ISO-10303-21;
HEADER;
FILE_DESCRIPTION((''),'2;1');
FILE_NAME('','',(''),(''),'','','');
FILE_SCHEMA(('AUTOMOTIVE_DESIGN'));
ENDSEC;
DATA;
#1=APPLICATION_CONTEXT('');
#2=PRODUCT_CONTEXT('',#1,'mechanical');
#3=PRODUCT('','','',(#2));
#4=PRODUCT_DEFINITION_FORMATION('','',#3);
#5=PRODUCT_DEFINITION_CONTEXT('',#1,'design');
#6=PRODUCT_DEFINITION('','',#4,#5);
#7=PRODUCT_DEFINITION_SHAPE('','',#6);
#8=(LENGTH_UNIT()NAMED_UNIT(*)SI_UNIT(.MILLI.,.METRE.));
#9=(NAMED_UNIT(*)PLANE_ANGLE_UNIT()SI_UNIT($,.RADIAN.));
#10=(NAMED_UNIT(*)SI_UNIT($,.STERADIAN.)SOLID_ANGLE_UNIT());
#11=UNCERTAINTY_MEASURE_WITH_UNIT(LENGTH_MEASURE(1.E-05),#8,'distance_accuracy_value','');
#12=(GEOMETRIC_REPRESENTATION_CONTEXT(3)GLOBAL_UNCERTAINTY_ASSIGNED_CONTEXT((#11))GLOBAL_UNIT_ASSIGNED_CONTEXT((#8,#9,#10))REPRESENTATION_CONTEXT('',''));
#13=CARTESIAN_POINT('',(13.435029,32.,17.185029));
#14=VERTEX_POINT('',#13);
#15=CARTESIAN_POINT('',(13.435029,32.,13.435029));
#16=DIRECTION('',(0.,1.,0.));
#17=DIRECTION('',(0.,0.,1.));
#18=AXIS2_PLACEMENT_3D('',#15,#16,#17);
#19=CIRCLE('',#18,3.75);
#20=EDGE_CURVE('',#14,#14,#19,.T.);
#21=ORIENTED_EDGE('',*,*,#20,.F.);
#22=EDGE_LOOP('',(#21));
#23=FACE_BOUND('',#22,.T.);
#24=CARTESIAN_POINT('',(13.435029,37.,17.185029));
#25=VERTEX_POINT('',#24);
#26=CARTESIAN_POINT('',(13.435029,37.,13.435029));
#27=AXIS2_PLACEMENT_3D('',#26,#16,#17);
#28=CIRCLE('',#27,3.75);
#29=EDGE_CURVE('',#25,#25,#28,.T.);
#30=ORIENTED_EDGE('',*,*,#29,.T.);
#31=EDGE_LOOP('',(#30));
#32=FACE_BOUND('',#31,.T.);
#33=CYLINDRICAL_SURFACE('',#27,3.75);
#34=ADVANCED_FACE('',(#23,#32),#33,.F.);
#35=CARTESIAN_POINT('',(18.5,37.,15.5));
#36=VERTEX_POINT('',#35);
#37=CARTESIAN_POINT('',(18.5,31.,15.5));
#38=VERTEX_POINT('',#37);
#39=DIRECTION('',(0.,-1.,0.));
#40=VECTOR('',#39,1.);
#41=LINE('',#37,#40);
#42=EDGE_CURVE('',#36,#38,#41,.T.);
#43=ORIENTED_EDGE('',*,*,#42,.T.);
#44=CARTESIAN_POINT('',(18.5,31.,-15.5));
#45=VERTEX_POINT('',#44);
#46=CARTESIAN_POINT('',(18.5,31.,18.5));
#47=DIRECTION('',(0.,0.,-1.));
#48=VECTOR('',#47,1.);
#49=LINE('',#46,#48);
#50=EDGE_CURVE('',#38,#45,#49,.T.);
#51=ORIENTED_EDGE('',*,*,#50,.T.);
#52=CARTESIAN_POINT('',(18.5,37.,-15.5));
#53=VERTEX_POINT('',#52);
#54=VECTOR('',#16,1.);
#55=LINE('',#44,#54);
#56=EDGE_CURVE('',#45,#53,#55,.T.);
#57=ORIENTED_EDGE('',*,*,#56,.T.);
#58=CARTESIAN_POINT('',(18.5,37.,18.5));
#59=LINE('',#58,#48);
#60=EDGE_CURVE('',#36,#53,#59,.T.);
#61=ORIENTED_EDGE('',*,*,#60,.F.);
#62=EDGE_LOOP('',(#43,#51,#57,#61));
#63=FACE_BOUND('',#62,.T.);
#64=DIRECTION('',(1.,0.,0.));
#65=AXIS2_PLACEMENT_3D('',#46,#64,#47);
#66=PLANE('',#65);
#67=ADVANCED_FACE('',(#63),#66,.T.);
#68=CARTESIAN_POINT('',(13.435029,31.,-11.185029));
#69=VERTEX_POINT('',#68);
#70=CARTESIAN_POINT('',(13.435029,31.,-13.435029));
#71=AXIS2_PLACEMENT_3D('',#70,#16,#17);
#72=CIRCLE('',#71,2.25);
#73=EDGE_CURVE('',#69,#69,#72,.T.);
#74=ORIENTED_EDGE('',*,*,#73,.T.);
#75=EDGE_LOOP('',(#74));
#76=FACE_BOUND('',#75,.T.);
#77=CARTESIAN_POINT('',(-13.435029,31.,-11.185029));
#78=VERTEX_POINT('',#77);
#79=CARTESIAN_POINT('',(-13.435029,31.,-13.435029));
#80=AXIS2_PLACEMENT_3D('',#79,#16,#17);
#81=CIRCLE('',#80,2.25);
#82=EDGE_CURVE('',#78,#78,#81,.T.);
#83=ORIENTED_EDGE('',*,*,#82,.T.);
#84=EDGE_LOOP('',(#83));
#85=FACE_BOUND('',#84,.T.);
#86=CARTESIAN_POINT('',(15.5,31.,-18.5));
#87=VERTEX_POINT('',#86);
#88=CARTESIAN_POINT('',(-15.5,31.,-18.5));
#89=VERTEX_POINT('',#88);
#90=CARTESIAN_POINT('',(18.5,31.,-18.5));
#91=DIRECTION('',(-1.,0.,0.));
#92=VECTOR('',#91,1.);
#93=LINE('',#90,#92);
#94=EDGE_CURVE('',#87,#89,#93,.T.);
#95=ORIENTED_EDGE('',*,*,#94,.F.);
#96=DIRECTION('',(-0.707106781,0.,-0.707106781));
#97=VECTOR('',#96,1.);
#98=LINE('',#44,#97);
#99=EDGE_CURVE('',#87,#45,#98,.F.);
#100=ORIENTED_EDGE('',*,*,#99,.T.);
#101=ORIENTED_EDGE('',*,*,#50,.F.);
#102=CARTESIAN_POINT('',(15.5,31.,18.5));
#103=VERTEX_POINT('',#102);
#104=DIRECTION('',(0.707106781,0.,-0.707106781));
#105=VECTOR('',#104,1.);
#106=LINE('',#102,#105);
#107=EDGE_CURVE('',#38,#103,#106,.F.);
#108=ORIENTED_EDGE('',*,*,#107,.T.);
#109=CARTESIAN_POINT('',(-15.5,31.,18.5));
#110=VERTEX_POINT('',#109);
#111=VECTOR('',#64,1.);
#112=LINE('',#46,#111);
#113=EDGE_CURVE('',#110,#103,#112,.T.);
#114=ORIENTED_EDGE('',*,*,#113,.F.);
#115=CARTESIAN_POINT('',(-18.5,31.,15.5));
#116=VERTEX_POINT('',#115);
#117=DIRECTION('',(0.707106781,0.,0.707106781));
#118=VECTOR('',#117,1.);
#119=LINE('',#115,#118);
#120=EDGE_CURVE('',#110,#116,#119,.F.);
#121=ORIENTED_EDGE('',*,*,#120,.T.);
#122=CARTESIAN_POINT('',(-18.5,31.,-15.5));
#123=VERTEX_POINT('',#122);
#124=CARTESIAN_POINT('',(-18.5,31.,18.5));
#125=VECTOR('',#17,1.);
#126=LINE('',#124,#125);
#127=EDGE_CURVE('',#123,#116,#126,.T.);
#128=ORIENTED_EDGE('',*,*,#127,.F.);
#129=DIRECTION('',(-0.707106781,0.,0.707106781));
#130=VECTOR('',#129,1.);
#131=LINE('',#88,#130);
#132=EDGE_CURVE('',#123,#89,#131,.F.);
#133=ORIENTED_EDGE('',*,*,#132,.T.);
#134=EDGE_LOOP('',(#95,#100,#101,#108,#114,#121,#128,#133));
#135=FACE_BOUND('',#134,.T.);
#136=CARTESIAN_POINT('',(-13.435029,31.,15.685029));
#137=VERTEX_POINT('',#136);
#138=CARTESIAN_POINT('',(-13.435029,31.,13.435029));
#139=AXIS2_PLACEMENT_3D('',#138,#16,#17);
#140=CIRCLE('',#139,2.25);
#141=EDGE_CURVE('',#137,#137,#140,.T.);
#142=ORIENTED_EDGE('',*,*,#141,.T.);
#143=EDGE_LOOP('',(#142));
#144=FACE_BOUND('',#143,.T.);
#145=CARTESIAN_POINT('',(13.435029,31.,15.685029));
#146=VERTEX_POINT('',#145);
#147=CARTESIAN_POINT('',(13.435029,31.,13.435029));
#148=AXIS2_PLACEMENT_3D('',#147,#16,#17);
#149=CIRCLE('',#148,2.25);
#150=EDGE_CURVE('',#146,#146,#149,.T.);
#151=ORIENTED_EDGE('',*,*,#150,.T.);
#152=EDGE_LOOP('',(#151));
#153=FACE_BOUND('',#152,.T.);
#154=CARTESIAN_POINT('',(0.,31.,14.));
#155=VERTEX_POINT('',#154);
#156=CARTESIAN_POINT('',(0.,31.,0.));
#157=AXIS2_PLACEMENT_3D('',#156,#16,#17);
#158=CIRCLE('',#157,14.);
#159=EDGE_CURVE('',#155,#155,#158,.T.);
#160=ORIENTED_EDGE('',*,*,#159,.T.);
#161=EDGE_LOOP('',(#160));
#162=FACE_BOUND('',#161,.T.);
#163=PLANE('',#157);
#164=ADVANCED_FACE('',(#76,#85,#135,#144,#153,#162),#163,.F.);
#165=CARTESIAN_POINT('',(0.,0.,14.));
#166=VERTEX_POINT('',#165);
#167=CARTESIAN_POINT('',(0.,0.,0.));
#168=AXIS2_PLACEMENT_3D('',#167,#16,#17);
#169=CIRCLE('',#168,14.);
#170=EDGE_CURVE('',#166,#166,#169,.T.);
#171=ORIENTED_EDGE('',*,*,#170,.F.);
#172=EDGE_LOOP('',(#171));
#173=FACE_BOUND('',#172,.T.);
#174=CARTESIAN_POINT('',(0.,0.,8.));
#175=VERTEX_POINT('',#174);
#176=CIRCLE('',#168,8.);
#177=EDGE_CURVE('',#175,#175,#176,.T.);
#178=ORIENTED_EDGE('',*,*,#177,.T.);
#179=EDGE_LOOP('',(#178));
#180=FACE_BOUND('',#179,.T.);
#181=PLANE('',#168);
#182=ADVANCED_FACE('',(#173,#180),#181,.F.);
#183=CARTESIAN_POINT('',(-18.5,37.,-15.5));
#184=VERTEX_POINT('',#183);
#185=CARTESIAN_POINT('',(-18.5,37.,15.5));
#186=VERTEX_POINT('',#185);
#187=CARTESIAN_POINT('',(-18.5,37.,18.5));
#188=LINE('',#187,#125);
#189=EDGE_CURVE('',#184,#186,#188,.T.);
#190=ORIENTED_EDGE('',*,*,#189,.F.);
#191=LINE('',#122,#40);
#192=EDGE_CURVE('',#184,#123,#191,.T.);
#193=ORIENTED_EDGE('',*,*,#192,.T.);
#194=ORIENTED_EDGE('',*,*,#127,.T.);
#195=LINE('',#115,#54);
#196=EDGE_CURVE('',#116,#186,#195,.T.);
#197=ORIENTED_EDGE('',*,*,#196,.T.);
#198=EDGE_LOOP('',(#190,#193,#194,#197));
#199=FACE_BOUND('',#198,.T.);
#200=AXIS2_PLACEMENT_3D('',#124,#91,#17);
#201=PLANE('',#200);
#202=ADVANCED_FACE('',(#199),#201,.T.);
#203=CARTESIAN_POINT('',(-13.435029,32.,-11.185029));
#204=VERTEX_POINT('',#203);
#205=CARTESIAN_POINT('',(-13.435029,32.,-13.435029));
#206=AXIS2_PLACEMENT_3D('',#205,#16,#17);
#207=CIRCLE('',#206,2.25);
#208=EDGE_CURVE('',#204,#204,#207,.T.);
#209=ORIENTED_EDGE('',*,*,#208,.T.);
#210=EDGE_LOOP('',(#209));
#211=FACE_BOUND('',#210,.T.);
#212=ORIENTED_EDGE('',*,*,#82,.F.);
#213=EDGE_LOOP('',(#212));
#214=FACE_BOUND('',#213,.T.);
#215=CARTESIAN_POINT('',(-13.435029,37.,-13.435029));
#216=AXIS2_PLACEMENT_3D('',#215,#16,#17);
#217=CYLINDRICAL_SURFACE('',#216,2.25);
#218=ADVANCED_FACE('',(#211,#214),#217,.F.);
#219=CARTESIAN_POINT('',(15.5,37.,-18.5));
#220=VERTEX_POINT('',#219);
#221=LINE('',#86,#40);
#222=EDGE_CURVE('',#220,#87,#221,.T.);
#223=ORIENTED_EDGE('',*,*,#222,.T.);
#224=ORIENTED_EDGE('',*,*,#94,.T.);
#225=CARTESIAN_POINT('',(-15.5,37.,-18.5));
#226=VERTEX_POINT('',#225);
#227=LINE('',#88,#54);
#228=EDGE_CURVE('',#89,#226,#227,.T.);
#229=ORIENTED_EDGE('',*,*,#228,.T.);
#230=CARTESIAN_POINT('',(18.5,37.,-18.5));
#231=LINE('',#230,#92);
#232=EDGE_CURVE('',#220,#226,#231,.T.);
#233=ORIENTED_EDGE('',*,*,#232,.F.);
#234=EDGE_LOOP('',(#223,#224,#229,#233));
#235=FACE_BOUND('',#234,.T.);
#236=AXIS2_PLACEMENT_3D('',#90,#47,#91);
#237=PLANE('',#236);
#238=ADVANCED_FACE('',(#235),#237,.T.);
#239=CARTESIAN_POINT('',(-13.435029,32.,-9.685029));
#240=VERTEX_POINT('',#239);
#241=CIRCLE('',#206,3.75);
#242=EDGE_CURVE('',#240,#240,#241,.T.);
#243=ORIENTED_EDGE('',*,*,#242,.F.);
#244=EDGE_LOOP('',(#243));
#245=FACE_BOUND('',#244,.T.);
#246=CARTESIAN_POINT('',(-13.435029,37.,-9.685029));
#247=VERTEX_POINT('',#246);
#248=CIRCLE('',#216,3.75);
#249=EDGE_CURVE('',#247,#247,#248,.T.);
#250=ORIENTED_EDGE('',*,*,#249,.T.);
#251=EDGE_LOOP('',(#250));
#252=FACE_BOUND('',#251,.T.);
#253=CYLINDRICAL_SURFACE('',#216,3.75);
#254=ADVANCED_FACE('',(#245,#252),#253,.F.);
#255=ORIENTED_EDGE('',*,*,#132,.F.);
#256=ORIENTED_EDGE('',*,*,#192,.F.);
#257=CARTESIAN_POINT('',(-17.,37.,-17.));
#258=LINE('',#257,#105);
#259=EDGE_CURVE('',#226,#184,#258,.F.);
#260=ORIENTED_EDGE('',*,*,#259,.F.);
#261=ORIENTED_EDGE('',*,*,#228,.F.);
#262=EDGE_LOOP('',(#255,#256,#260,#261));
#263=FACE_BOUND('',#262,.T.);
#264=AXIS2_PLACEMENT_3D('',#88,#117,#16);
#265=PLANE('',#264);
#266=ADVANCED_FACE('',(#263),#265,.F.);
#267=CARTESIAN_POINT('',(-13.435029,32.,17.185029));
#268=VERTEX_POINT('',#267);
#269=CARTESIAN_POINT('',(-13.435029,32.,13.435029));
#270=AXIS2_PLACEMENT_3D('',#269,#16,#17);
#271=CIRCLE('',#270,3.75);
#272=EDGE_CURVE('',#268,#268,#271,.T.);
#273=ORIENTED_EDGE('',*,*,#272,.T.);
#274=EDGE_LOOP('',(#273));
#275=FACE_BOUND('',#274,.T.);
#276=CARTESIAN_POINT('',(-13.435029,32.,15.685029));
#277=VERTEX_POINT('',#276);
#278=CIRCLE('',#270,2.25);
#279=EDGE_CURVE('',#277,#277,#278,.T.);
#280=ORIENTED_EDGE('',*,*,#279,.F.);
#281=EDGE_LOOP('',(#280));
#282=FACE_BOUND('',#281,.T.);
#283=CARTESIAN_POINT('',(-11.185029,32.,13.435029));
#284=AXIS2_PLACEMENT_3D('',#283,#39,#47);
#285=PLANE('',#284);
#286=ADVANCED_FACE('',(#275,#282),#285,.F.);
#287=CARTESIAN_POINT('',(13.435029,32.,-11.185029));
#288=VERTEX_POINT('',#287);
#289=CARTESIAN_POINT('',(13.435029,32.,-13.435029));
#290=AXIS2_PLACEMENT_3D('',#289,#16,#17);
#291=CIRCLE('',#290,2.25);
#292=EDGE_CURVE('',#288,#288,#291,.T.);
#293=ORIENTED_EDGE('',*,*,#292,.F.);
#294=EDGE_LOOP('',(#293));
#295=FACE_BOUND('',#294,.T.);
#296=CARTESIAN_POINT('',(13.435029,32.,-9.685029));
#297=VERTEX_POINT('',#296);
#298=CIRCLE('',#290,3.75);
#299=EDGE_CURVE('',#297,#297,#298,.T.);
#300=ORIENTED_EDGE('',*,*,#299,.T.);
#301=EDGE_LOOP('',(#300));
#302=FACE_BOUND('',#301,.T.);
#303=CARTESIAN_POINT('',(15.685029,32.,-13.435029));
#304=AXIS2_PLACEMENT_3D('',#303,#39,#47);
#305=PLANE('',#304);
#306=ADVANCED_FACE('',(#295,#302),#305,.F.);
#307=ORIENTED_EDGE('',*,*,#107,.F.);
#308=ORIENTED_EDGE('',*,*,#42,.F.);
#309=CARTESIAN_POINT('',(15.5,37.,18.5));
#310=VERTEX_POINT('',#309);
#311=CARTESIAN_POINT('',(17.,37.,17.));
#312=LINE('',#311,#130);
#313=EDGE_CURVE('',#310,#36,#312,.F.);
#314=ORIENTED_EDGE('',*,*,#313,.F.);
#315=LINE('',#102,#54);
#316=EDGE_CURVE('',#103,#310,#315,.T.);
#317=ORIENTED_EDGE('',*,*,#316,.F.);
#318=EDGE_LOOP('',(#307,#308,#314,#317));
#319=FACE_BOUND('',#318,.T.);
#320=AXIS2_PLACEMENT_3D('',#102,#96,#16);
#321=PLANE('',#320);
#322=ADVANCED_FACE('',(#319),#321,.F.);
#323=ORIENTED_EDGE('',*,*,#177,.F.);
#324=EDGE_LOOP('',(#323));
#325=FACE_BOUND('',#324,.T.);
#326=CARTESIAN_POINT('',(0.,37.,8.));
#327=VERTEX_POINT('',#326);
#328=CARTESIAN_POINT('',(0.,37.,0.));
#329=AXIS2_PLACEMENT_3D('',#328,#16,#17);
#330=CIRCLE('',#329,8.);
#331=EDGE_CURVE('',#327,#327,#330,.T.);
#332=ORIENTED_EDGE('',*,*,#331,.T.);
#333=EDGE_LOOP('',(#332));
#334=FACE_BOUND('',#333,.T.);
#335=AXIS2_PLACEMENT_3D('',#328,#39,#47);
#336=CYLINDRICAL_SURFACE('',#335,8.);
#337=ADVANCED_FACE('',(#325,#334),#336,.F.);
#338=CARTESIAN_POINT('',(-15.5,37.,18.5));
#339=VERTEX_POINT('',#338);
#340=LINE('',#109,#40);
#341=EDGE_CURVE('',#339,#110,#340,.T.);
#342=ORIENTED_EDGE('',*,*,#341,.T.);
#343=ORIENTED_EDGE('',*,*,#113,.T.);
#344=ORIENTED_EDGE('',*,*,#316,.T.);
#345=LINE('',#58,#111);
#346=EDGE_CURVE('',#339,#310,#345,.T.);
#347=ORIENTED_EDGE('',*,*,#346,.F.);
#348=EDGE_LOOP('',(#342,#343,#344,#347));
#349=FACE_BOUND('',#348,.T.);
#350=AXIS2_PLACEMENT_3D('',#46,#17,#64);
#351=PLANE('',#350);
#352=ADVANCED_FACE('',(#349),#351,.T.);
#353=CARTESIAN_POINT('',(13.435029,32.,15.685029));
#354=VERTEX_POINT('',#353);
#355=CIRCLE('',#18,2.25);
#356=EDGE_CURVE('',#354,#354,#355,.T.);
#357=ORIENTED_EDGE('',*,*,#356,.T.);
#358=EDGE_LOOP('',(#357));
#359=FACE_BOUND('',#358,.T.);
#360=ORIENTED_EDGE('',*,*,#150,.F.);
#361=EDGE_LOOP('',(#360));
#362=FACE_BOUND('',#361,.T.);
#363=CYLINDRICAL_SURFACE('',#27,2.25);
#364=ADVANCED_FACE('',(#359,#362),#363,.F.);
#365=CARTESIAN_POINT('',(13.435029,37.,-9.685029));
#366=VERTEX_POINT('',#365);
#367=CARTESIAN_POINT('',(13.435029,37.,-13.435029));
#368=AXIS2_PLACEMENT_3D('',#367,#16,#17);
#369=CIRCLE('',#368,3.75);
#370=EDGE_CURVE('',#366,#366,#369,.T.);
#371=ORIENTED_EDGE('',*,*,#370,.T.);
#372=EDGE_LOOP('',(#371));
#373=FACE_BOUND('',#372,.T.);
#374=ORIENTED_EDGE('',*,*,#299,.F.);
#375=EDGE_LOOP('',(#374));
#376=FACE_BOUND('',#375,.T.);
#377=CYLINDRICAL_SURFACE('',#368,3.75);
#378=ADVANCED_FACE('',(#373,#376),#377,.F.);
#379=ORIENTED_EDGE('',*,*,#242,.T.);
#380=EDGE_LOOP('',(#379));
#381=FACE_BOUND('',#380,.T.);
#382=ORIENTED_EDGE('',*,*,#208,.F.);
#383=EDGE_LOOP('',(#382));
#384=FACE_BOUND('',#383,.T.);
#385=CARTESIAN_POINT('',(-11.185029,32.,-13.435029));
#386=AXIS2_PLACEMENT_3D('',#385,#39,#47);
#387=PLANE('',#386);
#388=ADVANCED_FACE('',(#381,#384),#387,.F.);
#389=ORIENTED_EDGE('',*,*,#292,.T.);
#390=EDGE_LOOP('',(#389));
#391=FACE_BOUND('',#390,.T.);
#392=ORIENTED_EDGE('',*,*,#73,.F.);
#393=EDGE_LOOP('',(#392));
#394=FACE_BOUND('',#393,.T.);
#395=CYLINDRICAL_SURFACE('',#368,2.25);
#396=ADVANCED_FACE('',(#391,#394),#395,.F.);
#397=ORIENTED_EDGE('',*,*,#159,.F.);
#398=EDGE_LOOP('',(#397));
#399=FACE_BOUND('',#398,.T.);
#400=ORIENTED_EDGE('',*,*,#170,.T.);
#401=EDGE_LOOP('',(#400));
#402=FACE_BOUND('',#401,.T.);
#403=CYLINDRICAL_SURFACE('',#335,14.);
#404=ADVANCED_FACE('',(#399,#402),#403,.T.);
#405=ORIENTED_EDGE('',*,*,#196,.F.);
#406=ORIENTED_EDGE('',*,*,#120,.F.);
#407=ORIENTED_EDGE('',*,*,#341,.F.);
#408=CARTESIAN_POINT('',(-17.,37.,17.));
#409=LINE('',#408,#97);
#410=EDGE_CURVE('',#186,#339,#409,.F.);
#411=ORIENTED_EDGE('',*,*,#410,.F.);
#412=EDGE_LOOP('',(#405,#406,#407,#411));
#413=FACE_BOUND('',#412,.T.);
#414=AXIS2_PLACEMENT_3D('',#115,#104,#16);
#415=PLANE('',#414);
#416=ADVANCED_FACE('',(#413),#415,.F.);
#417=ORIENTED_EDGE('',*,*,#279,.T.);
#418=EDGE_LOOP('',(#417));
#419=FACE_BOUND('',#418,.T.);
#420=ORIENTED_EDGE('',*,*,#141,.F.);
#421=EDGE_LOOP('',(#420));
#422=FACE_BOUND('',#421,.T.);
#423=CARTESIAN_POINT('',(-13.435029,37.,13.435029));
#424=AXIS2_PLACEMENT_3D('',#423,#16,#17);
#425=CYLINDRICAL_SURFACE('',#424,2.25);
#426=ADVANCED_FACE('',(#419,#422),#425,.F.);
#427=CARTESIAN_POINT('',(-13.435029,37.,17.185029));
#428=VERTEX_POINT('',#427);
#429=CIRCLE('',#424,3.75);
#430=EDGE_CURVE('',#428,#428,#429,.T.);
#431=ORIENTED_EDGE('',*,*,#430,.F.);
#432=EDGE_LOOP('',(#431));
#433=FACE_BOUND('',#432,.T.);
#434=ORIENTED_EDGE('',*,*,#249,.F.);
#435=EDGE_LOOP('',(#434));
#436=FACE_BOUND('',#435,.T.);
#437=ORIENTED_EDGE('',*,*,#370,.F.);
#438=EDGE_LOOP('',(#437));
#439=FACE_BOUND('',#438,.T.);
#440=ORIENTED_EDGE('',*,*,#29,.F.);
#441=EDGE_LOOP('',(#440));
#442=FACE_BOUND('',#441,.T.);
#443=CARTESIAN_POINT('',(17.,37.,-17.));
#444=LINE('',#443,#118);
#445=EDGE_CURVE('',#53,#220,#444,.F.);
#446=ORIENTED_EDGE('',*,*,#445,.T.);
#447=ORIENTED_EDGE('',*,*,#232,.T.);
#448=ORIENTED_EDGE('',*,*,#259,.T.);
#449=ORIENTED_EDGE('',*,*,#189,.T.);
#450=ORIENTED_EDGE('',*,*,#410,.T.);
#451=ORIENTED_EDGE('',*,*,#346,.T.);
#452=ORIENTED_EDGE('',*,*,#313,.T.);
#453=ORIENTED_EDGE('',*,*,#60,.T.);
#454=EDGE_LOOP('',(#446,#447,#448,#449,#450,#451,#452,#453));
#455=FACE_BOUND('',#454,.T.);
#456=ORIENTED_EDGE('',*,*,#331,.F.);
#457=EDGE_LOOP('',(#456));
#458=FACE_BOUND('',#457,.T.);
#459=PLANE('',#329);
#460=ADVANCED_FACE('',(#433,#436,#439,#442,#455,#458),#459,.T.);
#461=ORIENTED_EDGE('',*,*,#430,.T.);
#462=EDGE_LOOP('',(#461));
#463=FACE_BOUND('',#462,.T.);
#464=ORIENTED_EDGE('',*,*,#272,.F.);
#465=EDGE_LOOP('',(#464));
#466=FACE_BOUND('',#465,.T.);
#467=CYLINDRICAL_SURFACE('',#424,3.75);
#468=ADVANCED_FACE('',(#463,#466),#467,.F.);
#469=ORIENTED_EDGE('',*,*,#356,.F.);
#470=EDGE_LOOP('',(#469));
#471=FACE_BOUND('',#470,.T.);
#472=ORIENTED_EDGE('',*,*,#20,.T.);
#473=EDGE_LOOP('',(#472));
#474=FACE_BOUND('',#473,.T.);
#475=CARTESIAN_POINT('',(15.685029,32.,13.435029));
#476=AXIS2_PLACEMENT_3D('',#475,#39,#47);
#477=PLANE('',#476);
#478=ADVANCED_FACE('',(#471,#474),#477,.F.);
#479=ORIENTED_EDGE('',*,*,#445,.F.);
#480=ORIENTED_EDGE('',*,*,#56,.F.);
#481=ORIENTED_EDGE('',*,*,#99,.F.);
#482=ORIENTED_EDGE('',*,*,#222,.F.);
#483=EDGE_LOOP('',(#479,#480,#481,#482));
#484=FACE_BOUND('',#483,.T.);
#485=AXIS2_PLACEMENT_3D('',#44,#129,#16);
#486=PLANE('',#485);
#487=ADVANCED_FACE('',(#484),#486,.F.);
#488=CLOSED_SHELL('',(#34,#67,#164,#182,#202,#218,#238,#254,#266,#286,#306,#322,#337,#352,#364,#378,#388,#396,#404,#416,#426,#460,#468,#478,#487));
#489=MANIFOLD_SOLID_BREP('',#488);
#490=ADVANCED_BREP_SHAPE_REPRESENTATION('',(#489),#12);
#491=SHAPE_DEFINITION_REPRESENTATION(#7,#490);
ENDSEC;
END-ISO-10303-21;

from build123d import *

# Parameters (mm, degrees)
SKETCH_1_R                   = 14
SKETCH_1_R_2                 = 8
EXTRUDE_1_DEPTH              = 37
EXTRUDE_START                = -6
SKETCH_2_W                   = 37
SKETCH_2_H                   = 37
SKETCH_2_R                   = 8
EXTRUDE_2_DEPTH              = 6
HOLE_WIZARD_M3_1_D           = 4.5
HOLE_WIZARD_M3_1_CBORE_D     = 7.5
HOLE_WIZARD_M3_1_CBORE_DEPTH = 5
CHAMFER_1_SIZE               = 3


with BuildPart() as part:
    # 草图1 → 凸台-拉伸1 (new body)
    with BuildSketch(Plane(origin=(0, 0, 0), x_dir=(1, 0, 0), z_dir=(0, 1, 0))):
        with Locations(Location((0, 0, 0), (0, 0, 270))):
            Circle(SKETCH_1_R)
        with Locations(Location((0, 0, 0), (0, 0, 270))):
            Circle(SKETCH_1_R_2, mode=Mode.SUBTRACT)
    extrude(amount=EXTRUDE_1_DEPTH)

    # 草图2 → 凸台-拉伸2 (add)
    with BuildSketch(Plane(origin=(0, 37, 0), x_dir=(1, 0, 0), z_dir=(0, 1, 0)).offset(EXTRUDE_START)):
        Rectangle(SKETCH_2_W, SKETCH_2_H)
        with Locations(Location((0, 0, 0), (0, 0, 270))):
            Circle(SKETCH_2_R, mode=Mode.SUBTRACT)
    extrude(amount=EXTRUDE_2_DEPTH)

    # M3 六角头螺栓的柱形沉头孔1 (through all)
    with Locations(Plane(origin=(0, 37, 0), x_dir=(-1, 0, 0), z_dir=(0, 1, 0))):
        with Locations((-13.435028843, 13.435028843), (13.435028843, 13.435028843), (13.435028843, -13.435028843), (-13.435028843, -13.435028843)):
            CounterBoreHole(HOLE_WIZARD_M3_1_D / 2, HOLE_WIZARD_M3_1_CBORE_D / 2, HOLE_WIZARD_M3_1_CBORE_DEPTH)

    # 倒角1
    chamfer_1_edges = [part.edges().sort_by_distance(p)[0] for p in [
        (-18.5, 34, 18.5),
        (-18.5, 34, -18.5),
        (18.5, 34, -18.5),
        (18.5, 34, 18.5),
    ]]
    chamfer(chamfer_1_edges, length=CHAMFER_1_SIZE)


solid = part.part
